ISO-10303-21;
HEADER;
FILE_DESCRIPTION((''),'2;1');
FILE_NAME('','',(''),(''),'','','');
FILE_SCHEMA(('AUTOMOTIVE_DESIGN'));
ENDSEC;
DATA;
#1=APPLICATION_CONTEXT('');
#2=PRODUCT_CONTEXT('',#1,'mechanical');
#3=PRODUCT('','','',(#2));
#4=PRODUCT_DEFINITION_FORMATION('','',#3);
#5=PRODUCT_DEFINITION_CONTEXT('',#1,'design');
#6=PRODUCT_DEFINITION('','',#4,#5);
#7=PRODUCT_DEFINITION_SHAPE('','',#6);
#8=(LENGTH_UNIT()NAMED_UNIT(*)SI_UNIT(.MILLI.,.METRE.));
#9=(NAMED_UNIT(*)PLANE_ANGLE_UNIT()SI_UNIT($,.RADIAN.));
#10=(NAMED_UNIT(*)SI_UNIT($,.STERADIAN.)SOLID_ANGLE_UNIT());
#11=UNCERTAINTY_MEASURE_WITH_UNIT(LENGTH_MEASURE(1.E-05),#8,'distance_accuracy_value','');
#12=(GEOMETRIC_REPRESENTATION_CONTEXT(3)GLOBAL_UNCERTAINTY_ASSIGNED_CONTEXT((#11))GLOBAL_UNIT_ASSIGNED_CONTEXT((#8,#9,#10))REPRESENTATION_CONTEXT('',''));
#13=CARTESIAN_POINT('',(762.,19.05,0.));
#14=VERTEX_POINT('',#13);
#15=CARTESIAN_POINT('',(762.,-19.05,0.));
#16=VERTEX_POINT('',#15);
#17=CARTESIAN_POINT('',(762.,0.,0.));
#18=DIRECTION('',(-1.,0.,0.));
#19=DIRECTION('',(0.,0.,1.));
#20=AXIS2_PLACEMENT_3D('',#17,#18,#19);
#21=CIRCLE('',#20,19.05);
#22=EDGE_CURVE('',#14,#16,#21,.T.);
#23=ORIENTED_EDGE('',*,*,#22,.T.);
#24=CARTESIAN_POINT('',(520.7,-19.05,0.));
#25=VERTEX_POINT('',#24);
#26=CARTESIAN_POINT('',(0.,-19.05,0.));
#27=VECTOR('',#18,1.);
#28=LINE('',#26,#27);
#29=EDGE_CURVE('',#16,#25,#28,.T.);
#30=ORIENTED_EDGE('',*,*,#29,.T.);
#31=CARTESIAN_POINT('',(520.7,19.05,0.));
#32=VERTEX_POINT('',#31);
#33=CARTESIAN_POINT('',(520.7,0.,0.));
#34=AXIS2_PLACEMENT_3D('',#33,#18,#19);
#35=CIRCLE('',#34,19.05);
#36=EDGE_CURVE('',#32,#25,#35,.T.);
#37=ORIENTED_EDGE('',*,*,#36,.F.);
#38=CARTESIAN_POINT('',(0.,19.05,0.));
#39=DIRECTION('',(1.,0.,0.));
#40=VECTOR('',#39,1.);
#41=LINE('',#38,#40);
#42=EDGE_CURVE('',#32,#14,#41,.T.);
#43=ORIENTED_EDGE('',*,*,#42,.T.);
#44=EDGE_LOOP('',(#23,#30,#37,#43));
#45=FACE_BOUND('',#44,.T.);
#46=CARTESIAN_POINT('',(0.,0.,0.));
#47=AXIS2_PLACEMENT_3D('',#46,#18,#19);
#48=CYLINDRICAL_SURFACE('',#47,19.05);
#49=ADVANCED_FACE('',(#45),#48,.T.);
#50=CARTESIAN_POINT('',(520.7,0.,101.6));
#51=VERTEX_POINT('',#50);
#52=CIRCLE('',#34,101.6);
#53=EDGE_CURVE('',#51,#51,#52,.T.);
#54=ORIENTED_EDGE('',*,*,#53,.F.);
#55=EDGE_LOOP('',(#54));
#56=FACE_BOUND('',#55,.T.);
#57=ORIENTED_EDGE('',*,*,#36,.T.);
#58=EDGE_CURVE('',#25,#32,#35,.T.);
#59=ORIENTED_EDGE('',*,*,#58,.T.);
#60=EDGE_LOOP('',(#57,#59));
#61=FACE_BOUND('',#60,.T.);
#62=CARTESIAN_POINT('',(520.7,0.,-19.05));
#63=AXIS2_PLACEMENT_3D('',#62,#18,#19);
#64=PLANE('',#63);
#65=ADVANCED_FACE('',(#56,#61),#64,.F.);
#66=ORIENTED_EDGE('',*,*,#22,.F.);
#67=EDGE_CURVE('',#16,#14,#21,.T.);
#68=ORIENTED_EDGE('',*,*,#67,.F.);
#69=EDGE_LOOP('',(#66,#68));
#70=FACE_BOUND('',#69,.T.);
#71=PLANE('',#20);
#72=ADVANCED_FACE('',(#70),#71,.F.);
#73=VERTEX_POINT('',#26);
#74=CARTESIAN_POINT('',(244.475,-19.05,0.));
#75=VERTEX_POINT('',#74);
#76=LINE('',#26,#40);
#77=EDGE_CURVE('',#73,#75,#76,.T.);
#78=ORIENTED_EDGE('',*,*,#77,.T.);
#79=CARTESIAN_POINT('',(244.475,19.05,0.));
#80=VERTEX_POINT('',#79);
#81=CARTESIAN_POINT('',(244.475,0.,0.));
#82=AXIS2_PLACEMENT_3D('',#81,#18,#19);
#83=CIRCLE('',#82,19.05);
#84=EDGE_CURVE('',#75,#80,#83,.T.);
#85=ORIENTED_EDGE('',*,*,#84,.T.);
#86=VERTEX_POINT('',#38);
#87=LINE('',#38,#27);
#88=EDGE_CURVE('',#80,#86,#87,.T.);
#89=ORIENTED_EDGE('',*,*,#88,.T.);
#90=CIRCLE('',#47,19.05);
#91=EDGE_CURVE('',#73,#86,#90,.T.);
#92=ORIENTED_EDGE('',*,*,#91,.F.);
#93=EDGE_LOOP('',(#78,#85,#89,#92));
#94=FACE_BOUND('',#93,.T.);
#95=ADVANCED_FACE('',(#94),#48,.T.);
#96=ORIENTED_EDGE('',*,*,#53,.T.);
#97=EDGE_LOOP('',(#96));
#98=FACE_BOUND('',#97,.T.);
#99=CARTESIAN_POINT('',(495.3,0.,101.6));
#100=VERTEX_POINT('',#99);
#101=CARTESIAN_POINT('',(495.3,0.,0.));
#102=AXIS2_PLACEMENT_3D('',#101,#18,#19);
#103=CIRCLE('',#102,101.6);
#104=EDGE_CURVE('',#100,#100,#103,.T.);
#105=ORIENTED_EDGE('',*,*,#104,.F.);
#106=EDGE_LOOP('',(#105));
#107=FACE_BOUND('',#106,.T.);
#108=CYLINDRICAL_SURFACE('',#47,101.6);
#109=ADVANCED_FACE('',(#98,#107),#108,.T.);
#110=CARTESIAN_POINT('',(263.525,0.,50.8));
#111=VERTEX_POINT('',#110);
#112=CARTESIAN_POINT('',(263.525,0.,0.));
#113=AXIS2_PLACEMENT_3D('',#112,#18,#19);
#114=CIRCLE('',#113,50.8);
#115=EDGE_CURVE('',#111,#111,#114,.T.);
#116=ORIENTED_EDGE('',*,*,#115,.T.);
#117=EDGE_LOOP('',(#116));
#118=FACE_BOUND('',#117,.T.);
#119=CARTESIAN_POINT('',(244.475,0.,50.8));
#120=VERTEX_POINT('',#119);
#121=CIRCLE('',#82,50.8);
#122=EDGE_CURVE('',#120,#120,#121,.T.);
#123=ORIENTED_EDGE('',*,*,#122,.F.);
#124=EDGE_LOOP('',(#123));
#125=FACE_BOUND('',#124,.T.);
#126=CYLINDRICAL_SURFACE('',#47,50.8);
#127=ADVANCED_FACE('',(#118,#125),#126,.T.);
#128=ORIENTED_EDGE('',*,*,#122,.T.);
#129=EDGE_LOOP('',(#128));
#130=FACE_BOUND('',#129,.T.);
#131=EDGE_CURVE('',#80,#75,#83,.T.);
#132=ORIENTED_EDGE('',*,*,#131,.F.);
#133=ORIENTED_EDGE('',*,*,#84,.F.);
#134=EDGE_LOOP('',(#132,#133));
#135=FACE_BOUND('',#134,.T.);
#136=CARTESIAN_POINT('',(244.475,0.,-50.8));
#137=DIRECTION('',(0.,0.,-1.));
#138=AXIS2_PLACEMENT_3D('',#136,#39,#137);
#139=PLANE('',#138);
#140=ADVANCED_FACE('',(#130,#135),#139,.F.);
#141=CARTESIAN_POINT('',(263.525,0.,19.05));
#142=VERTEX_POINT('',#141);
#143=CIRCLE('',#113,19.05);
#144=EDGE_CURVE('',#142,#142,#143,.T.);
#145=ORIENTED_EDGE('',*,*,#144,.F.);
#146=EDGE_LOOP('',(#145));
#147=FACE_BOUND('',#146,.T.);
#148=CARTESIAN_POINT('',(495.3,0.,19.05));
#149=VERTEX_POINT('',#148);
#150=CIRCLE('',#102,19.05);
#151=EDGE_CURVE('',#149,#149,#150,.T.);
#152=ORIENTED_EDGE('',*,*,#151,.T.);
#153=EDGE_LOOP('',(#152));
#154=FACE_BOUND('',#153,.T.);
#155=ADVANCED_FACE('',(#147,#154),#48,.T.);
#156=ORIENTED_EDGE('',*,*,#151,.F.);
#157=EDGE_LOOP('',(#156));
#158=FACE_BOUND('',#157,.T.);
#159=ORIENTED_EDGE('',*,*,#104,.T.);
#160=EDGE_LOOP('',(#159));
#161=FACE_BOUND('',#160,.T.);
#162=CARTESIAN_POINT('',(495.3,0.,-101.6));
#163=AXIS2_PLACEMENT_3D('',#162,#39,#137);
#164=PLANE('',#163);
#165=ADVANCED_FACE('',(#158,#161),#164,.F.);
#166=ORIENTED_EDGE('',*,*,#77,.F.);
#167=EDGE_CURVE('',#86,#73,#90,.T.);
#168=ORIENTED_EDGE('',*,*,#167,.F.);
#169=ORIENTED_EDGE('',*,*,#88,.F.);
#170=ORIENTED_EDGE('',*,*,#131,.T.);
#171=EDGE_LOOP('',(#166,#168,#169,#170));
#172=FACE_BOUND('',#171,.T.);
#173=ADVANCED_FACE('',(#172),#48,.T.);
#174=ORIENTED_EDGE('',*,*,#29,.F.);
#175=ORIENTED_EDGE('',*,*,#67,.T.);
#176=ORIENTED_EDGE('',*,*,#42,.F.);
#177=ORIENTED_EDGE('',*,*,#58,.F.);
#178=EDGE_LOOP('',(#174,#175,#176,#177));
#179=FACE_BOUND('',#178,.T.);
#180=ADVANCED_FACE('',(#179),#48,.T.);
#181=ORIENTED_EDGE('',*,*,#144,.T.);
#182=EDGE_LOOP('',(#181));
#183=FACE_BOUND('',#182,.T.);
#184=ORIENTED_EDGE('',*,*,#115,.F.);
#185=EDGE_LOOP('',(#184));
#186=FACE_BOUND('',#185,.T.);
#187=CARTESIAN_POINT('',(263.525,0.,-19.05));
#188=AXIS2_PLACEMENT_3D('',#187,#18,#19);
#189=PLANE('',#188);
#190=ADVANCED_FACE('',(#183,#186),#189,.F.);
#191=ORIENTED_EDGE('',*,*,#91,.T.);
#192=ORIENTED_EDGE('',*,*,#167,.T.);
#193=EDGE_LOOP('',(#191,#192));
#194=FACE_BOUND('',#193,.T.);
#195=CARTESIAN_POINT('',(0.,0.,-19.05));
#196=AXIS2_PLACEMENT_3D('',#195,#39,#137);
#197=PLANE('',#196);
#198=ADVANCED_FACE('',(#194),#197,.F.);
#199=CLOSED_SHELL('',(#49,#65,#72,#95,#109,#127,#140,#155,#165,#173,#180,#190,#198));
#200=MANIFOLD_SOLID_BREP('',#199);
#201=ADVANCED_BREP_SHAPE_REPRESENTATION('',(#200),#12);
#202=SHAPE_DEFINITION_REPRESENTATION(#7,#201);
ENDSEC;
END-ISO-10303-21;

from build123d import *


with BuildPart() as part:
    # Sketch1 → Revolve1 (revolve)
    with BuildSketch(Plane(origin=(0, 0, 0), x_dir=(1, 0, 0), z_dir=(0, 1, 0)), mode=Mode.PRIVATE) as revolve1_sk:
        Polygon((0, 0), (762, 0), (762, 19.05), (520.7, 19.05), (520.7, 101.6), (495.3, 101.6), (495.3, 19.05), (263.525, 19.05), (263.525, 50.8), (244.475, 50.8), (244.475, 19.05), (0, 19.05), align=None)
    revolve(revolve1_sk.sketch.rotate(Axis((0, 0, 0), (1, 0, 0)), 180), axis=Axis((0, 0, 0), (1, 0, 0)))


solid = part.part
